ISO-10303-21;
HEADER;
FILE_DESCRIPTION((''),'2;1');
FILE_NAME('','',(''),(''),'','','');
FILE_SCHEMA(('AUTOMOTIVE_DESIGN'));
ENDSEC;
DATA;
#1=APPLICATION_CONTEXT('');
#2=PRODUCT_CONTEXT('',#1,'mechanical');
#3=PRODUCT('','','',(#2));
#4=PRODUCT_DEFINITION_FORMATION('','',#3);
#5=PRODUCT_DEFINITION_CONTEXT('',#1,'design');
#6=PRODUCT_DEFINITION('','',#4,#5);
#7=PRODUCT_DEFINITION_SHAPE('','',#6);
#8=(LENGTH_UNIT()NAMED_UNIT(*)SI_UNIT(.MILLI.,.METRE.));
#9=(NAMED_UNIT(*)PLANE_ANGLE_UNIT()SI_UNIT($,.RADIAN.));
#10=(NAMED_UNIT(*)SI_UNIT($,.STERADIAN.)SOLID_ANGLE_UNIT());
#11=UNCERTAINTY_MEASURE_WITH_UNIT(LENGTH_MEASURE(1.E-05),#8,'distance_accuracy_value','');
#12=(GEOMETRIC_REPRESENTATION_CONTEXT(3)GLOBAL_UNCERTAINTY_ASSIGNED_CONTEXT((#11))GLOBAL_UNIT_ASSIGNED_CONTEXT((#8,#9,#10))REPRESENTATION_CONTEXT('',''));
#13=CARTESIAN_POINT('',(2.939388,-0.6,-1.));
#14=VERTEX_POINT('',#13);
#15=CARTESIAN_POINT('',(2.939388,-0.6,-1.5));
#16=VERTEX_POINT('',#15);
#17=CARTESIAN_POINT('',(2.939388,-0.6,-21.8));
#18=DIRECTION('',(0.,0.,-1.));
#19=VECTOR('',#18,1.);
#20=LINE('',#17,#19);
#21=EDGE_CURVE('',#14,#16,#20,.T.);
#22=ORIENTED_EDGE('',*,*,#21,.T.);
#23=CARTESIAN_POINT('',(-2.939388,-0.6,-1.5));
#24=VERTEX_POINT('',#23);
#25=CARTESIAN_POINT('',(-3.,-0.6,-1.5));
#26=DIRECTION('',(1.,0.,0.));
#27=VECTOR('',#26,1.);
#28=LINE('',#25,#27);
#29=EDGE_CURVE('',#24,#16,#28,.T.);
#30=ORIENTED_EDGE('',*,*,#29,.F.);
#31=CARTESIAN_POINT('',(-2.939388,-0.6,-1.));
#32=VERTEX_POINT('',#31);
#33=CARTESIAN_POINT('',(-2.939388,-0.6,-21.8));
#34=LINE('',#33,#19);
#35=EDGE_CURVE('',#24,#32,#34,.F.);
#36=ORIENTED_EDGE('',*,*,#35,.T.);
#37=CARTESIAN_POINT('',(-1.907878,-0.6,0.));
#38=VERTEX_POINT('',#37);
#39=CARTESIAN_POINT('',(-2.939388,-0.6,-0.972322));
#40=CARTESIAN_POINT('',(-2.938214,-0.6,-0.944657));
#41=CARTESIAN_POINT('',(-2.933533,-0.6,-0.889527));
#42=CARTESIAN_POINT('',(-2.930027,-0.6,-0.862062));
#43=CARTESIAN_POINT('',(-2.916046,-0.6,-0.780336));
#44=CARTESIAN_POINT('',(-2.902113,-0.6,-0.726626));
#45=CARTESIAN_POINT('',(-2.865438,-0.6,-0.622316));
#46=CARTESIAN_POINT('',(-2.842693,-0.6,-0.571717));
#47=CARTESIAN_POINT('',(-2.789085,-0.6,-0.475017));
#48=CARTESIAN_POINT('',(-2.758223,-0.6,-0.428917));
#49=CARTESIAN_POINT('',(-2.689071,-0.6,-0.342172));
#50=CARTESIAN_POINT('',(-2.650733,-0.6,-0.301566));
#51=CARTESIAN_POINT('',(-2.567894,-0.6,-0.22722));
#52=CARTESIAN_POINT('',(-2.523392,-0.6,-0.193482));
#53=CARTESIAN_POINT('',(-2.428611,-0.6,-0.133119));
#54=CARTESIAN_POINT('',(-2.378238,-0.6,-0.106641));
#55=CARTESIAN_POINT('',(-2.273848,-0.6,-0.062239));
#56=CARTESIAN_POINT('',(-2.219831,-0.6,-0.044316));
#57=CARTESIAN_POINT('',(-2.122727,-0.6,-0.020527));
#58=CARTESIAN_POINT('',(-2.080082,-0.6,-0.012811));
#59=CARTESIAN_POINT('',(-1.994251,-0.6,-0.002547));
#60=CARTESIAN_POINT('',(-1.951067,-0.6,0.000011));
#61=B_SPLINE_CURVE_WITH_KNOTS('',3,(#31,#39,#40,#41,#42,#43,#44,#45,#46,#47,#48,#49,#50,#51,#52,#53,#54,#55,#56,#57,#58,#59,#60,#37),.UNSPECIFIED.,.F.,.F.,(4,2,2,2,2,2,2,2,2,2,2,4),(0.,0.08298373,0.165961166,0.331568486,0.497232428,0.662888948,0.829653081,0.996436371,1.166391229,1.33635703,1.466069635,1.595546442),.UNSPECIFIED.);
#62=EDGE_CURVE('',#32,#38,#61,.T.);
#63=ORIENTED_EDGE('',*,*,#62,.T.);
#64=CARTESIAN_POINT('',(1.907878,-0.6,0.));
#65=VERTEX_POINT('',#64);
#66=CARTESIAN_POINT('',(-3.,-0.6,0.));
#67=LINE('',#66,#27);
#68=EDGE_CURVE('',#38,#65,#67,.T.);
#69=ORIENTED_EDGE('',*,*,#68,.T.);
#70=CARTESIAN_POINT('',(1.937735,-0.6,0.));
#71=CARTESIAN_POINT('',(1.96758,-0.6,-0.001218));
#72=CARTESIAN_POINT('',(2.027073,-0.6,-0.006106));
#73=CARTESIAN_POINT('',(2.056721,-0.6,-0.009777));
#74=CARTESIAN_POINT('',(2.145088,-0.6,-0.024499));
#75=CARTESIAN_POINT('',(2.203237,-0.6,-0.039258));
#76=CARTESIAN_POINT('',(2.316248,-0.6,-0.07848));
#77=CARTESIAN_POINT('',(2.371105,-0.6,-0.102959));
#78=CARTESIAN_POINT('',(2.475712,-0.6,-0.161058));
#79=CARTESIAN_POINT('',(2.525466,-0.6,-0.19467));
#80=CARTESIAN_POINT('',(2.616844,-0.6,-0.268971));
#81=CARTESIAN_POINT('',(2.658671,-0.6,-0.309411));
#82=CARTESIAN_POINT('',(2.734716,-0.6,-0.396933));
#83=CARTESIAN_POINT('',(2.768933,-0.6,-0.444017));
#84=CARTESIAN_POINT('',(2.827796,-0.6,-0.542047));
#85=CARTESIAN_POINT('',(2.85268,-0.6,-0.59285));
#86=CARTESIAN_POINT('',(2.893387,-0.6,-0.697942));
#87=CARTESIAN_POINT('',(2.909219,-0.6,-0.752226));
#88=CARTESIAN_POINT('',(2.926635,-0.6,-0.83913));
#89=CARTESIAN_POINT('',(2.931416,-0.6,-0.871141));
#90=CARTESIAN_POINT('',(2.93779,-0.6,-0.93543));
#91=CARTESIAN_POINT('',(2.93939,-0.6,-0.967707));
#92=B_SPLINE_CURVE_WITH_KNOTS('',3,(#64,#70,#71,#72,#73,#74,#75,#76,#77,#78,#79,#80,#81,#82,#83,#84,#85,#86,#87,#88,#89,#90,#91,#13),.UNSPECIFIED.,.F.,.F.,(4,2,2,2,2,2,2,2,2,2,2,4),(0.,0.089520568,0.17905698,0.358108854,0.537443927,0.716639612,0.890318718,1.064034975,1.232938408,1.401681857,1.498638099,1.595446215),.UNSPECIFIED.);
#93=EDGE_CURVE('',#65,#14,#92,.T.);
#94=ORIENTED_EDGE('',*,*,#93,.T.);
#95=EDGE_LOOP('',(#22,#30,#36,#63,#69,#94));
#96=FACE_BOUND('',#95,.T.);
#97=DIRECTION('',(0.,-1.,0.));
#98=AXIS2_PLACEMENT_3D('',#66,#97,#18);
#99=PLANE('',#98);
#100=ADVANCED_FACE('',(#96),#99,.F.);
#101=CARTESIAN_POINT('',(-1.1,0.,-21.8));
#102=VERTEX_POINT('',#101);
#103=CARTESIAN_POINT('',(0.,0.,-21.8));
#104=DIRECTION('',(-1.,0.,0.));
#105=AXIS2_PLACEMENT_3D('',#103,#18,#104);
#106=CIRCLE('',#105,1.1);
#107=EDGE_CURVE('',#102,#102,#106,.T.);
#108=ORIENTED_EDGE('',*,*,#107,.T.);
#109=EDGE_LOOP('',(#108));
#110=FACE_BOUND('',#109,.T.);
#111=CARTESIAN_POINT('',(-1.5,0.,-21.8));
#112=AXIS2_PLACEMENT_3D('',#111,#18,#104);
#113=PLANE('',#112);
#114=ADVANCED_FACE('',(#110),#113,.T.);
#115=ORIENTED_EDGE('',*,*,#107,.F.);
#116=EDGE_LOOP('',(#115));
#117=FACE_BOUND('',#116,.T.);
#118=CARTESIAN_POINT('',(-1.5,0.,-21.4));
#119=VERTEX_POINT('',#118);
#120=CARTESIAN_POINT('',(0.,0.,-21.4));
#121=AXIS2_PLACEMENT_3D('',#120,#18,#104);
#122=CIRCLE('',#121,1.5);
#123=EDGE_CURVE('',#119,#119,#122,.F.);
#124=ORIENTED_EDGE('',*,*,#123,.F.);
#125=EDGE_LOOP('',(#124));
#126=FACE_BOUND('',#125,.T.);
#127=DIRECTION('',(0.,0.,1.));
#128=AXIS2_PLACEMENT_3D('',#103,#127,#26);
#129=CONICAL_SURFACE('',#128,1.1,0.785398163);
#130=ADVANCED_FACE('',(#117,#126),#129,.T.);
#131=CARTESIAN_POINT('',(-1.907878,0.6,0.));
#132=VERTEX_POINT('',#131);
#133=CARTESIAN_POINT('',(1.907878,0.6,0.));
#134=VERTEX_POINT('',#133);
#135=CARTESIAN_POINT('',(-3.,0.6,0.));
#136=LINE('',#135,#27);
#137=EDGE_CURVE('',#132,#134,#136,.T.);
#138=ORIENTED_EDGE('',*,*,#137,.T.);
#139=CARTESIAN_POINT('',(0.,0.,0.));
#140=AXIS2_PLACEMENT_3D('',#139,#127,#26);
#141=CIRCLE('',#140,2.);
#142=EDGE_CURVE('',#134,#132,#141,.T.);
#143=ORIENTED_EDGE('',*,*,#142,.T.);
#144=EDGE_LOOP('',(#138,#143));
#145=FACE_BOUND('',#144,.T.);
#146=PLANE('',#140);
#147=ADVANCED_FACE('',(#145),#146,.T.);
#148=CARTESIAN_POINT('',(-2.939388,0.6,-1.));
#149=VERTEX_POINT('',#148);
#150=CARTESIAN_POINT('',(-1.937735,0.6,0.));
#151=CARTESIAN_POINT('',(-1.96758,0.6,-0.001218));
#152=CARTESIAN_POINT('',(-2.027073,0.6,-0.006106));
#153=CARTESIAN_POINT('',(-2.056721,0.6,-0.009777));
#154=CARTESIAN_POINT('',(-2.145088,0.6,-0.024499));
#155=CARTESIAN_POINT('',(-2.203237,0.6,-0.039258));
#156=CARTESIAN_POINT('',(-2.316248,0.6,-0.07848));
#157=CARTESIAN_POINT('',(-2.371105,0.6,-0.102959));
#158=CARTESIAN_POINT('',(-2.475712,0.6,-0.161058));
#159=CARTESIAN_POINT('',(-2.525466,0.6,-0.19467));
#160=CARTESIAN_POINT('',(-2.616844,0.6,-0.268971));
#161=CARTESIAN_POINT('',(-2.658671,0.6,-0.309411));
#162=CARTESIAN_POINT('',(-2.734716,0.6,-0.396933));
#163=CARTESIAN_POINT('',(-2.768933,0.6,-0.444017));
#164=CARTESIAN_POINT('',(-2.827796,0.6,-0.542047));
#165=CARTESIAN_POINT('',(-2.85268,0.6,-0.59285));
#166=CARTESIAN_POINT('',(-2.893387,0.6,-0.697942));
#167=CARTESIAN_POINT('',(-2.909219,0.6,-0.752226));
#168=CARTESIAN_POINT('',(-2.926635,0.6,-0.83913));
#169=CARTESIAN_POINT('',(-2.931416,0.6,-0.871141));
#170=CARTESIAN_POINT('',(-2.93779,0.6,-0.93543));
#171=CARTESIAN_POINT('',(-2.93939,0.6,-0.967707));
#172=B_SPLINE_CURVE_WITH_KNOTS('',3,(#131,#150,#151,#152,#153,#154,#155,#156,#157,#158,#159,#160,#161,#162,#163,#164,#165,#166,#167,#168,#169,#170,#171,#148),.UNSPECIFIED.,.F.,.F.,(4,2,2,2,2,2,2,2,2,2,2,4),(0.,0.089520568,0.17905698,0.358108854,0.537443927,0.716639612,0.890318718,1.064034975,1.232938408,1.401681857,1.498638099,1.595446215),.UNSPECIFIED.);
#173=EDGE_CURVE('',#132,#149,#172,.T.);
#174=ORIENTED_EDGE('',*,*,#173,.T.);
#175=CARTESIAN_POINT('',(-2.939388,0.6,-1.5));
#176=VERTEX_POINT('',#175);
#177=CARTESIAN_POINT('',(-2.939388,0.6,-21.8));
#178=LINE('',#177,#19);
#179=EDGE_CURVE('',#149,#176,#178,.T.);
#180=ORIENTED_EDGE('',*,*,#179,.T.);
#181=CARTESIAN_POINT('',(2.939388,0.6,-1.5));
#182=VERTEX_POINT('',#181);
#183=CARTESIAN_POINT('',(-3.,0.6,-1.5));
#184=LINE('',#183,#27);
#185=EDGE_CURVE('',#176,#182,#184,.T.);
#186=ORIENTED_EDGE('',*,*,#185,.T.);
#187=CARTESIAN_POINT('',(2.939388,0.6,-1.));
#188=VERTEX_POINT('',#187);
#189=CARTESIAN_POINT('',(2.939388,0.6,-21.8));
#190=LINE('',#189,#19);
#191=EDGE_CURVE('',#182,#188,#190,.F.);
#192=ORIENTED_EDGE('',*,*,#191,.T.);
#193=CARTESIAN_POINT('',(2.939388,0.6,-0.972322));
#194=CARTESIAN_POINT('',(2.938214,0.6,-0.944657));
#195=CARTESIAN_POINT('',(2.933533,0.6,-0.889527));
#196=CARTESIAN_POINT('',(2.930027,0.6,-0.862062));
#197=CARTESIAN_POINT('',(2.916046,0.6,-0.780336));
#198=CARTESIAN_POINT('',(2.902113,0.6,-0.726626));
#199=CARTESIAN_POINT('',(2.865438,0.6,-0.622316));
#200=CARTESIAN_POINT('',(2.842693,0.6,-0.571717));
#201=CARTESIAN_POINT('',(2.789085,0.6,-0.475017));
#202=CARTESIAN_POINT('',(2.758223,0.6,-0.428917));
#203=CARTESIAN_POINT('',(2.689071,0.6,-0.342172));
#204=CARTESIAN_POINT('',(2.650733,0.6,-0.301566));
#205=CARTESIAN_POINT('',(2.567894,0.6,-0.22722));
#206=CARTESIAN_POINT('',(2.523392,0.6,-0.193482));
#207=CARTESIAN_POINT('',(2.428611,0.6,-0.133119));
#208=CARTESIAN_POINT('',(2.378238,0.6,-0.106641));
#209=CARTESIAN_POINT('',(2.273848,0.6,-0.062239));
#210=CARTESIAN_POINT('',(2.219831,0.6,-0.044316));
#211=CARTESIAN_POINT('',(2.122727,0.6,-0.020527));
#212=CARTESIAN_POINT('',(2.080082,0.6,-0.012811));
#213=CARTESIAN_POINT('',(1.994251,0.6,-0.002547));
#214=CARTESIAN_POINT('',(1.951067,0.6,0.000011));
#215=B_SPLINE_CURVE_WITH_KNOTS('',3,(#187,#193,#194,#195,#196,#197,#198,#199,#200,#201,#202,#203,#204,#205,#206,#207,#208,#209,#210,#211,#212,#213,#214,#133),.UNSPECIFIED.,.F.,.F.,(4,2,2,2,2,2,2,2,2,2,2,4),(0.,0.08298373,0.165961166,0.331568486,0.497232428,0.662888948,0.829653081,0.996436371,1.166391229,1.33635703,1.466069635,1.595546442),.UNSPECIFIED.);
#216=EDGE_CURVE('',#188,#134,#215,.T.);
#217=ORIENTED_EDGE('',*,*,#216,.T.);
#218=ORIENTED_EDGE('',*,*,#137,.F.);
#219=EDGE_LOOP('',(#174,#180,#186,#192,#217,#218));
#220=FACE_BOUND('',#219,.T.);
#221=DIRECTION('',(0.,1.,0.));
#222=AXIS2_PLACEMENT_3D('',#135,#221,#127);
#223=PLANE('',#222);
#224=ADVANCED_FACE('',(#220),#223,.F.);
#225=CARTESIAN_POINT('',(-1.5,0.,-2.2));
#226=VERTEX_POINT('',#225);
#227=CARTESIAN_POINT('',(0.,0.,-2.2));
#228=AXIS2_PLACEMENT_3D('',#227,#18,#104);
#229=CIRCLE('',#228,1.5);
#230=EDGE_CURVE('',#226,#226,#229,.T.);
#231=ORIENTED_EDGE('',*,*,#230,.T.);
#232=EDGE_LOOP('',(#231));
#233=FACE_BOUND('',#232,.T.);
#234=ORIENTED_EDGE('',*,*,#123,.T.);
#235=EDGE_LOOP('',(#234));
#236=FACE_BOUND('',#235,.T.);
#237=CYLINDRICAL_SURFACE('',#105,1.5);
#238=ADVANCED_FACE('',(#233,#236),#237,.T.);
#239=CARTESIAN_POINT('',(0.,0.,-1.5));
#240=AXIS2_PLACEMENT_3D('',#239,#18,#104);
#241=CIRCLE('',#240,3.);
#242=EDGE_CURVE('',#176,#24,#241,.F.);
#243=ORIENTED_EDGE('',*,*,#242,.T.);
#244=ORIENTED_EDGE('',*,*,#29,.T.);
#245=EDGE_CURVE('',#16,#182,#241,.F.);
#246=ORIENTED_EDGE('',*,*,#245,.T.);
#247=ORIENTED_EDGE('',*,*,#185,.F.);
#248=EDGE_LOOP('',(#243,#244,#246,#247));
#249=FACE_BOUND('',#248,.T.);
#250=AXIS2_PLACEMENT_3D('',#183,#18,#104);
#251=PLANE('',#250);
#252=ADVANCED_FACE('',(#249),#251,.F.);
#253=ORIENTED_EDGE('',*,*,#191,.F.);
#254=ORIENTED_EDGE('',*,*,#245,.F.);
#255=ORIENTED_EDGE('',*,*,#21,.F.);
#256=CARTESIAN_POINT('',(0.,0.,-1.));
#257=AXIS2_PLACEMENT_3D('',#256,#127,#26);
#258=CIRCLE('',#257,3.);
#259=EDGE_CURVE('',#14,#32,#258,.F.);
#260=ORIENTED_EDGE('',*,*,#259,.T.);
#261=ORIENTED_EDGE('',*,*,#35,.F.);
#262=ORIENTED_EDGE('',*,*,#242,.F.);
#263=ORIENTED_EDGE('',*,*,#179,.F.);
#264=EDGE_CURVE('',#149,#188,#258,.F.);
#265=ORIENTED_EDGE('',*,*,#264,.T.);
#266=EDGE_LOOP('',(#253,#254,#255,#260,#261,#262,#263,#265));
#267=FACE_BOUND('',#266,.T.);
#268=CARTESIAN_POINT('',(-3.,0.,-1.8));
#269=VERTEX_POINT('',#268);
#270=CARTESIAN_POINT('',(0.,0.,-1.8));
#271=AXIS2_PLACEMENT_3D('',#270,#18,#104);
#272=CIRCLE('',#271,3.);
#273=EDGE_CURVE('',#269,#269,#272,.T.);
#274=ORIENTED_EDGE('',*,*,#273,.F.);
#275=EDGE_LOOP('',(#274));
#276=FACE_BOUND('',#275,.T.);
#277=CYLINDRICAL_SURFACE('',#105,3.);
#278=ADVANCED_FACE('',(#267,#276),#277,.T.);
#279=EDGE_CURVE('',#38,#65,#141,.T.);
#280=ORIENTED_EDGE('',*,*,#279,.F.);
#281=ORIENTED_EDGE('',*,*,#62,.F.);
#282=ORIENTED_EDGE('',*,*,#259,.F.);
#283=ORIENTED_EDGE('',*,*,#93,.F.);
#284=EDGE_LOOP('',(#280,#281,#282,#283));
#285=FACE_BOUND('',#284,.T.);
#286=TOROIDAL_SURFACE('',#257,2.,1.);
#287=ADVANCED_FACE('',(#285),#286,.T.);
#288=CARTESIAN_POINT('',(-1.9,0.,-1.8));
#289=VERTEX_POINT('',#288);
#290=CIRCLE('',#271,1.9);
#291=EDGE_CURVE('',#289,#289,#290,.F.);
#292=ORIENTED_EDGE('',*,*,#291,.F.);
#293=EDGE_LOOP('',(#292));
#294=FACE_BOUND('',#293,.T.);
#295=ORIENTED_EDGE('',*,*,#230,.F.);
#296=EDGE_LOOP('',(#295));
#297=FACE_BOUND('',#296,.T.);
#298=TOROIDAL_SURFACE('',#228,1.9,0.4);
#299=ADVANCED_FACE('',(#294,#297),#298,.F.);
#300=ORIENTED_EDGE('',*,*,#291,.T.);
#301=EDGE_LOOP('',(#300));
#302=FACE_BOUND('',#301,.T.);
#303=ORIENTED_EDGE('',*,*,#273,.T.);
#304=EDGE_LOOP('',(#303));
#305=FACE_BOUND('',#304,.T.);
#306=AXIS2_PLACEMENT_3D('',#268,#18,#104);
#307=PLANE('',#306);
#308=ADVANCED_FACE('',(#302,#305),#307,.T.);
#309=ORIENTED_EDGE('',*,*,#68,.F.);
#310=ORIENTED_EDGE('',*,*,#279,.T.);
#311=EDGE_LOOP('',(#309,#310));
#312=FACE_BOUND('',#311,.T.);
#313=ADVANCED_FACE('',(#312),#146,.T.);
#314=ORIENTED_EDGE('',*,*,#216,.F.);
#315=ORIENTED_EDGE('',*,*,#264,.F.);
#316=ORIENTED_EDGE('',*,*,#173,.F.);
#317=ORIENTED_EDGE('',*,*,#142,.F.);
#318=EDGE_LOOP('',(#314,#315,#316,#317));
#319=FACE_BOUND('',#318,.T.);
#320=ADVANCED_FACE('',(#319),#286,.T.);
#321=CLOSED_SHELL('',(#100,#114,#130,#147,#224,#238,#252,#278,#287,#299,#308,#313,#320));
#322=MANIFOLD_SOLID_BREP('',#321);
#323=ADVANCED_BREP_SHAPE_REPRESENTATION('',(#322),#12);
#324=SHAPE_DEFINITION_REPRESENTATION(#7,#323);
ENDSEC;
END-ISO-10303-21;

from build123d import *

# Parameters (mm, degrees)
SKETCH_2_W               = 1.5
SKETCH_2_H               = 1.2
CUT_EXTRUDE_1_DEPTH      = 4
CUT_EXTRUDE_1_DEPTH_BACK = 4
CHAMFER_1_SIZE           = 0.4
FILLET_1_R               = 1
FILLET_2_R               = 0.4


with BuildPart() as part:
    # Эскиз1 → Повернуть1 (revolve)
    with BuildSketch(Plane(origin=(0, 0, 0), x_dir=(1, 0, 0), z_dir=(0, 1, 0))):
        Polygon((0, 0), (-3, 0), (-3, 1.8), (-1.5, 1.8), (-1.5, 21.8), (0, 21.8), align=None)
    revolve(axis=Axis((0, 0, -21.8), (0, 0, 1)))

    # Эскиз2 → Вырез-Вытянуть1 (cut, two sides)
    with BuildSketch(Plane(origin=(0, 0, 0), x_dir=(0, 0, -1), z_dir=(1, 0, 0))) as cut_extrude_1_sk:
        with Locations((0.75, 0)):
            Rectangle(SKETCH_2_W, SKETCH_2_H)
    extrude(amount=CUT_EXTRUDE_1_DEPTH, mode=Mode.SUBTRACT)
    extrude(cut_extrude_1_sk.sketch, amount=-CUT_EXTRUDE_1_DEPTH_BACK, mode=Mode.SUBTRACT)

    # Фаска1
    chamfer_1_edges = [part.edges().sort_by_distance(p)[0] for p in [
        (1.5, 0, -21.8),
    ]]
    chamfer(chamfer_1_edges, length=CHAMFER_1_SIZE)

    # Скругление1
    fillet_1_edges = [part.edges().sort_by_distance(p)[0] for p in [
        (0, 3, 0),
        (0, -3, 0),
    ]]
    fillet(fillet_1_edges, radius=FILLET_1_R)

    # Скругление2
    fillet_2_edges = [part.edges().sort_by_distance(p)[0] for p in [
        (1.5, 0, -1.8),
    ]]
    fillet(fillet_2_edges, radius=FILLET_2_R)


solid = part.part
